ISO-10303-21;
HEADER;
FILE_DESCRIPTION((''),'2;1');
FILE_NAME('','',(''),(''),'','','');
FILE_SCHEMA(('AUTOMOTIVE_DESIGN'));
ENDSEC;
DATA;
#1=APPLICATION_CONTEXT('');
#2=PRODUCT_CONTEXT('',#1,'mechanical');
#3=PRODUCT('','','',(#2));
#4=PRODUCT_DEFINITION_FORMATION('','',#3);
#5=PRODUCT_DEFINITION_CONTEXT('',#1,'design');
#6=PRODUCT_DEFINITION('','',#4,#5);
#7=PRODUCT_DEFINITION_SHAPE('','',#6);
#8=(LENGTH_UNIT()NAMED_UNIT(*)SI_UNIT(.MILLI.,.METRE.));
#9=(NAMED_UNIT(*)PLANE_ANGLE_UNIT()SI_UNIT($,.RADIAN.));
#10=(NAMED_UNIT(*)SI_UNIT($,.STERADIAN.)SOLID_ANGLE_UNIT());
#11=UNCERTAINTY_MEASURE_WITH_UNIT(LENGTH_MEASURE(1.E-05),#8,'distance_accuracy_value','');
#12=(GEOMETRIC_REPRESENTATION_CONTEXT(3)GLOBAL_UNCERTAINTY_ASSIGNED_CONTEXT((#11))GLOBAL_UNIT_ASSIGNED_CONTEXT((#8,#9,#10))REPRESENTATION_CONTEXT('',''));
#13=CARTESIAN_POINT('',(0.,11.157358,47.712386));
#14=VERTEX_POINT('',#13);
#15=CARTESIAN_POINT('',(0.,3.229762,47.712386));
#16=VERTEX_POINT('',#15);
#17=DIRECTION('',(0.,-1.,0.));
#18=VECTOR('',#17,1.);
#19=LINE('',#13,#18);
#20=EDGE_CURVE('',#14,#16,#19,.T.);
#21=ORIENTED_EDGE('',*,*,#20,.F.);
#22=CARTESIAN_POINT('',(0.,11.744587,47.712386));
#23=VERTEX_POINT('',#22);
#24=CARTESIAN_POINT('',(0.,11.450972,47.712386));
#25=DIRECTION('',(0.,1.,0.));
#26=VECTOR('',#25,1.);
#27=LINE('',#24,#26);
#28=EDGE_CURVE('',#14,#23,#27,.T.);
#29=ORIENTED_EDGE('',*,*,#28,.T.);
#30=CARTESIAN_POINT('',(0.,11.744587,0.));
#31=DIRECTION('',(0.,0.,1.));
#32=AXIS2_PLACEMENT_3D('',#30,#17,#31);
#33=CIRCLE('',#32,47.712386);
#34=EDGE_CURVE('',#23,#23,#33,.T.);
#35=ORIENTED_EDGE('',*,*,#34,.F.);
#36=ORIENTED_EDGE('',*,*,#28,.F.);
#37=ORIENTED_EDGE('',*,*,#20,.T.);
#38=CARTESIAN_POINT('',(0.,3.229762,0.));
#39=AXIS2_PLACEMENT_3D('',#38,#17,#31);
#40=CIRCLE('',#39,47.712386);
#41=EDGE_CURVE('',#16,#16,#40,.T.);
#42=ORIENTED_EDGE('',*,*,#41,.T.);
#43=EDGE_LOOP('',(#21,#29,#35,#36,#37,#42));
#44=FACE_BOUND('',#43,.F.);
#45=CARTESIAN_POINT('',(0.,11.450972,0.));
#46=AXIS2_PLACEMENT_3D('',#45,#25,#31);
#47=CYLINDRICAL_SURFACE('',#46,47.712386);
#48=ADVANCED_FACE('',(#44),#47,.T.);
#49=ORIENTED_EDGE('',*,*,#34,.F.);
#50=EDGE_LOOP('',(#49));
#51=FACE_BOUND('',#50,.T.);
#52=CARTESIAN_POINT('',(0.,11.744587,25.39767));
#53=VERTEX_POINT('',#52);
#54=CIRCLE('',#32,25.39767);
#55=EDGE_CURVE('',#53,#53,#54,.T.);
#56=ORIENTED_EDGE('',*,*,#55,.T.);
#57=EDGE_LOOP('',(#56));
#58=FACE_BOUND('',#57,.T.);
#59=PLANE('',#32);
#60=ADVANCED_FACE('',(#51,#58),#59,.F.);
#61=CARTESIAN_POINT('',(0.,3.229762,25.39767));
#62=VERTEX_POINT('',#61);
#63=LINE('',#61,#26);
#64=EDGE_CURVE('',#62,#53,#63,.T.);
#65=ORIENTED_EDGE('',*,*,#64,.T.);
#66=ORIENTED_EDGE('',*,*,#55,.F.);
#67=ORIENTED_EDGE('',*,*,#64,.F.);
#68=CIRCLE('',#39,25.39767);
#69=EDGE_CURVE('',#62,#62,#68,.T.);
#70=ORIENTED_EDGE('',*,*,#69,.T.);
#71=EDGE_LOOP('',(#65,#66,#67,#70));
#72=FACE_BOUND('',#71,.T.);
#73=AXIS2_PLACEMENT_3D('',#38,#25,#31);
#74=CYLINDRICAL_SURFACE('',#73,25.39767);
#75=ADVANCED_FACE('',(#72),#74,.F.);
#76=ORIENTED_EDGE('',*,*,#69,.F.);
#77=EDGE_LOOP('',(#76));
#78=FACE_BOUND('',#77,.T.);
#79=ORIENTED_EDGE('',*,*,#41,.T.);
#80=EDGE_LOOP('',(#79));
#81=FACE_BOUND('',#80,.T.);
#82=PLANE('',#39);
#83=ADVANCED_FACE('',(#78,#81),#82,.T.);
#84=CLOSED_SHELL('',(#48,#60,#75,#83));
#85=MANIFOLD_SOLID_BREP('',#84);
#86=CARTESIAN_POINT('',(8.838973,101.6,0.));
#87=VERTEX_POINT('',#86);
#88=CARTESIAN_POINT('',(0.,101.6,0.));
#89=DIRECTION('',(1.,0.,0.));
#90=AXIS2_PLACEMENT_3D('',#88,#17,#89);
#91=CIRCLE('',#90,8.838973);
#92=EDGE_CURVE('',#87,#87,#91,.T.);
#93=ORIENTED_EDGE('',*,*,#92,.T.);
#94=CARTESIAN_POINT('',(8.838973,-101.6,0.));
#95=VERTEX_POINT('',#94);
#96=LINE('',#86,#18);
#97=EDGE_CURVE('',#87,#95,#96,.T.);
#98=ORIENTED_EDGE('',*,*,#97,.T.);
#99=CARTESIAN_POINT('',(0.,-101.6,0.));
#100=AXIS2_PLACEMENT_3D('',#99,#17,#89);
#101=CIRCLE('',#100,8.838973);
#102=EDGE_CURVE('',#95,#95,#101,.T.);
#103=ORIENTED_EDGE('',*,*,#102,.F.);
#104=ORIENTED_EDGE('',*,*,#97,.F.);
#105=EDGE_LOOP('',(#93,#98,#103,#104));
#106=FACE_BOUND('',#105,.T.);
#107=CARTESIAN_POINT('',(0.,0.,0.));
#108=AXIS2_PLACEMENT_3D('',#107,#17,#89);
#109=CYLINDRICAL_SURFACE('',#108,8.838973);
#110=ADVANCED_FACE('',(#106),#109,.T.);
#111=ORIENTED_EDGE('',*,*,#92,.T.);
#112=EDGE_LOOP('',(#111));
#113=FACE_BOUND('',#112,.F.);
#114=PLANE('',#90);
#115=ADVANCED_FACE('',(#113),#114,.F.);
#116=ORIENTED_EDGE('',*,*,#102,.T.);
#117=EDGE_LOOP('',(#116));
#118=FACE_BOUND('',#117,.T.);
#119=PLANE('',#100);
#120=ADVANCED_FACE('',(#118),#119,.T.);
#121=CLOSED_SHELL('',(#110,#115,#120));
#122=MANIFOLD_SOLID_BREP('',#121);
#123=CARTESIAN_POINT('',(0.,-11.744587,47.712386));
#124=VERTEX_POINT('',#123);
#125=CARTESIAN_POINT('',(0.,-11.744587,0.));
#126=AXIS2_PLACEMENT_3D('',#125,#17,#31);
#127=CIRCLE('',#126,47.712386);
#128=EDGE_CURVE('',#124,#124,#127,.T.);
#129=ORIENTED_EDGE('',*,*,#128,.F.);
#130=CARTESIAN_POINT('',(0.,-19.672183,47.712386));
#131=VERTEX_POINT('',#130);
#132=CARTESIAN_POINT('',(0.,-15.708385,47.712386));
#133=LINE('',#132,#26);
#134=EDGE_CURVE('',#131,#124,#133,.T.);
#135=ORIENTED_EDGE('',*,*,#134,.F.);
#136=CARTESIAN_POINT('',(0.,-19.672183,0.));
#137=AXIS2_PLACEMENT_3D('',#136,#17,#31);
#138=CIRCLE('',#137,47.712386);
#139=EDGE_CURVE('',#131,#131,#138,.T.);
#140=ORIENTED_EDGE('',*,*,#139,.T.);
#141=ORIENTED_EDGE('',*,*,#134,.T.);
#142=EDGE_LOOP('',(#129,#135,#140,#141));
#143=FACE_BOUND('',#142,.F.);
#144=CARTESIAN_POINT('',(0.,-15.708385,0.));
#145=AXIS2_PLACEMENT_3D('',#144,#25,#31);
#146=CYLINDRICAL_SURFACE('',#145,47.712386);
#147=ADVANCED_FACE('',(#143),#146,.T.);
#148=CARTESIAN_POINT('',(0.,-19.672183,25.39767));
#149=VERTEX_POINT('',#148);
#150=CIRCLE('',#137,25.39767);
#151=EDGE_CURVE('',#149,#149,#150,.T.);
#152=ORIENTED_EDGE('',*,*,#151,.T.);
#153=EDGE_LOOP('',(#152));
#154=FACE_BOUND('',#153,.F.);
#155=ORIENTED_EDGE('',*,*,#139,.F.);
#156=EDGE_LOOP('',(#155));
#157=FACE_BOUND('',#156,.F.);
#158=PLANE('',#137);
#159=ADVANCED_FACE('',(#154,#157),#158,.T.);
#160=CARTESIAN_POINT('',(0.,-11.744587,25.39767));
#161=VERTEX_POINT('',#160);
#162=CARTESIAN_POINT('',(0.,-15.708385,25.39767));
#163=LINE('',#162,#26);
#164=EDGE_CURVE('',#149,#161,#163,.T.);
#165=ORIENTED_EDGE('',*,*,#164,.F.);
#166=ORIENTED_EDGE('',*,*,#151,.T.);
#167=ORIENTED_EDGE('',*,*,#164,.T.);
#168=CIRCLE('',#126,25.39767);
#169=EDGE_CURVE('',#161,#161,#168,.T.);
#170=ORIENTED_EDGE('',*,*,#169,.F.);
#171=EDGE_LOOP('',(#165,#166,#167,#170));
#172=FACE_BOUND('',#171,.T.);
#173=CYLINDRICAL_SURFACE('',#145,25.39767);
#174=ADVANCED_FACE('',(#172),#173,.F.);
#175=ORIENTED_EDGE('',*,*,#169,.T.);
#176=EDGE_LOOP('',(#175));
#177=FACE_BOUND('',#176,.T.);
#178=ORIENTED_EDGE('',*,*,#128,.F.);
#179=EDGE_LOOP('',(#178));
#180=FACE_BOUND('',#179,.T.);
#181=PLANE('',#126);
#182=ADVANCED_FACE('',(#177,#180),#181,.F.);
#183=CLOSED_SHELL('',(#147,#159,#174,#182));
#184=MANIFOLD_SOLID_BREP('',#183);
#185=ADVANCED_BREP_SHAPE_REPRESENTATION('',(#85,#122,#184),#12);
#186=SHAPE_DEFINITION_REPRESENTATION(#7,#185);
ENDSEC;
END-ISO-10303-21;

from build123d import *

# Parameters (mm, degrees)
F0_R     = 8.8389730631
F1_DEPTH = 101.6
F2_W     = 0.5872286856
F2_H     = 4.4042207301
F2_W_2   = 7.9275965691
F2_H_2   = 22.3147161305


with BuildPart() as f1:
    # F0 (on Front) → F1 (new body, symmetric)
    with BuildSketch(Plane.XZ):
        Circle(F0_R)
    extrude(amount=F1_DEPTH, both=True)


with BuildPart() as f3:
    # F2 (on Right) → F3 (revolve)
    with BuildSketch(Plane.YZ):
        with Locations((11.4509724081, 45.5102752894)):
            Rectangle(F2_W, F2_H)
        Polygon((3.229761729, 25.397669524), (11.7445867509, 25.397669524), (11.7445867509, 43.3081649244), (11.1573580652, 43.3081649244), (11.1573580652, 47.7123856544), (3.229761729, 47.7123856544), align=None)
    revolve(axis=Axis((0, 0, 0), (0, -1, 0)))


with BuildPart() as f3b:
    # F2 (on Right) → F3, piece 2 (revolve)
    with BuildSketch(Plane.YZ):
        with Locations((-15.7083850354, 36.5550275892)):
            Rectangle(F2_W_2, F2_H_2)
    revolve(axis=Axis((0, 0, 0), (0, -1, 0)))


solid = Compound([f1.part, f3.part, f3b.part])
